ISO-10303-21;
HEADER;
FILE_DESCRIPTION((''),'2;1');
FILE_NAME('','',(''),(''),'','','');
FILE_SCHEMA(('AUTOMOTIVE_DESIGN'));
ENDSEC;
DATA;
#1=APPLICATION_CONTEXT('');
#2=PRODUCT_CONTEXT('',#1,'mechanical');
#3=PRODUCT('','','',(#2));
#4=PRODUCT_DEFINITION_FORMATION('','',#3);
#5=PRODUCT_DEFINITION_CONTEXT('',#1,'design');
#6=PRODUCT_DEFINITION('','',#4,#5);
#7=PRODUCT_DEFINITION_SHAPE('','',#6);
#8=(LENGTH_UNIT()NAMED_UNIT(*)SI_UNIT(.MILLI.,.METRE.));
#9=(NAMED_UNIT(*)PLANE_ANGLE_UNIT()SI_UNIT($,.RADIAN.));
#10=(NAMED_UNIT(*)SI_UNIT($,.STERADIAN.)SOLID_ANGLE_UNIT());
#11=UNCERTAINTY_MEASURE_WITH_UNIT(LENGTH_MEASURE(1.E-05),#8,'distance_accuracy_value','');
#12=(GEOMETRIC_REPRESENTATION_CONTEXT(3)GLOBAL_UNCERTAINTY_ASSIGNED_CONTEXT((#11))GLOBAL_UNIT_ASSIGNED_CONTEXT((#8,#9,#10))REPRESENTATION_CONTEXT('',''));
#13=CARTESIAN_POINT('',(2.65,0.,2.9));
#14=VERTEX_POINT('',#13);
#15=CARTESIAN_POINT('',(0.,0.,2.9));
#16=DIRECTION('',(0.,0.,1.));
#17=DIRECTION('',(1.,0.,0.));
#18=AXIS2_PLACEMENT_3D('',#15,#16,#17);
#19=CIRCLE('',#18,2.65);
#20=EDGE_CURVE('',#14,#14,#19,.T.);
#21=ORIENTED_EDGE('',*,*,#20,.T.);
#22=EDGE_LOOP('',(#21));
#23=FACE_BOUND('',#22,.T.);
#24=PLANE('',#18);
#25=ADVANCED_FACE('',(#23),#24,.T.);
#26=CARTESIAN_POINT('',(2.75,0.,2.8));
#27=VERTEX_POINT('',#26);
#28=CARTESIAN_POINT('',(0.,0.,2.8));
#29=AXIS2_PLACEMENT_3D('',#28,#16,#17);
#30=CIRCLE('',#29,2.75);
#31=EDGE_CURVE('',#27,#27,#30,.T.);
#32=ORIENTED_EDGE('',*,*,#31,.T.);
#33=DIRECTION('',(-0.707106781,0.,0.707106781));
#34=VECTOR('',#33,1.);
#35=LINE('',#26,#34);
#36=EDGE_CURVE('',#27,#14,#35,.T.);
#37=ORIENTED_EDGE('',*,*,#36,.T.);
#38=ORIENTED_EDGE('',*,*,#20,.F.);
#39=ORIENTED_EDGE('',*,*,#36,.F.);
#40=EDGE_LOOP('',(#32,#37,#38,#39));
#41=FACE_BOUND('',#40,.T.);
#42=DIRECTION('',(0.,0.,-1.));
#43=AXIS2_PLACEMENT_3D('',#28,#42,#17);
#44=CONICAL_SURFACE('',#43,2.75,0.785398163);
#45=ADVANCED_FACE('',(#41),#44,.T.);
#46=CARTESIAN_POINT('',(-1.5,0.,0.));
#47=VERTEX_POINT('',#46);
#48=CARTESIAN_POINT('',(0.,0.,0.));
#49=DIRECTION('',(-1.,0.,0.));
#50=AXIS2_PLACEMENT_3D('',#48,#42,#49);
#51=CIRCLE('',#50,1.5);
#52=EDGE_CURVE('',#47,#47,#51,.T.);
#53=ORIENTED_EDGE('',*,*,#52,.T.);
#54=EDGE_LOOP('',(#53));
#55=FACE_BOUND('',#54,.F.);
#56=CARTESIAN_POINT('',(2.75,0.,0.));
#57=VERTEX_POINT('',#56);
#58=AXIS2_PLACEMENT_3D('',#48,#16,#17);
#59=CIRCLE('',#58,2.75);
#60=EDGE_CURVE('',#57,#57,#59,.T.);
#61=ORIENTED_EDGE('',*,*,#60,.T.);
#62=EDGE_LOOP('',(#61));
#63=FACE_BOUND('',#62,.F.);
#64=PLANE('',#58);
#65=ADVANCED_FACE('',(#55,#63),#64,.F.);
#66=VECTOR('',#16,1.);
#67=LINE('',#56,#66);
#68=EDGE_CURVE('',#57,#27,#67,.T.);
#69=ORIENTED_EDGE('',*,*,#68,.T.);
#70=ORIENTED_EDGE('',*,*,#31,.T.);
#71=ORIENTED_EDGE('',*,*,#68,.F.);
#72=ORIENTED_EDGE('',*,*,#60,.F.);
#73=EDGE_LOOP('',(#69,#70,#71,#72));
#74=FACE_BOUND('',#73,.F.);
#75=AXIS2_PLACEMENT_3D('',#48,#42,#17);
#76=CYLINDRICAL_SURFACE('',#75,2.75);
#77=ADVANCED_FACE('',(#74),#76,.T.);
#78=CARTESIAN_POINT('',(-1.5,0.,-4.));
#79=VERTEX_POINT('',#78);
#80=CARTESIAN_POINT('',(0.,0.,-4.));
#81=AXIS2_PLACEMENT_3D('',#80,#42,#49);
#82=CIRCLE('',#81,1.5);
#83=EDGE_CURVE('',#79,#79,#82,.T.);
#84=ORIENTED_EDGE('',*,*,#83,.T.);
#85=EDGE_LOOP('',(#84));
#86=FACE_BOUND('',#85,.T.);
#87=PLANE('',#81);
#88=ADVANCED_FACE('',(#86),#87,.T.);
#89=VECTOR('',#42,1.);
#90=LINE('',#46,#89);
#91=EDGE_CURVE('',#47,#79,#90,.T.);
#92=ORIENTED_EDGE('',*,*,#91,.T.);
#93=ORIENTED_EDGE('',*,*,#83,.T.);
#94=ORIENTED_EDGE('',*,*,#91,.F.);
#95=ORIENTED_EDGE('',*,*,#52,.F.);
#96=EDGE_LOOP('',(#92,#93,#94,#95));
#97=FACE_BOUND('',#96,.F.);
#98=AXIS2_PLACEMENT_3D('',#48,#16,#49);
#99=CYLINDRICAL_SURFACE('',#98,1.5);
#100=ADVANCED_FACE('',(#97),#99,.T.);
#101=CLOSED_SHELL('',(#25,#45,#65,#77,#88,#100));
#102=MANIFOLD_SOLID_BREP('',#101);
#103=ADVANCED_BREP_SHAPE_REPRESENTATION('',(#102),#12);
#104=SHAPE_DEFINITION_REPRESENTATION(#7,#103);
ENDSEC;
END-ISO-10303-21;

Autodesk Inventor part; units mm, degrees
ref_plane "YZ Plane" through (0, 0, 0) normal (1, 0, 0) x (0, 1, 0)
ref_plane "XZ Plane" through (0, 0, 0) normal (0, 1, 0) x (-1, 0, 0)
ref_plane "XY Plane" through (0, 0, 0) normal (0, 0, 1) x (1, 0, 0)
sketch "スケッチ1" plane through (0, 0, 0) normal (0, 0, 1) x (1, 0, 0)
  circle A0 centre (0, 0) radius 2.75
  dimension "d0" = 5.5
extrude "押し出し1" add sketch "スケッチ1" along normal blind 2.9
sketch "スケッチ2" plane through (0, 0, 0) normal (0, 0, -1) x (-1, 0, 0)
  circle A0 centre (0, 0) radius 1.5
  dimension "d3" = 3
extrude "押し出し2" add sketch "スケッチ2" along normal blind 4
chamfer "面取り1" distance 0.1 angle 45 1 edges at (-2.75, 0, 2.9)
thread "ねじ2" size "M3x0.5" class "6g" standard "ANSI Metric M Profile" full length
properties part number "M3×8" material "ステンレス鋼"
